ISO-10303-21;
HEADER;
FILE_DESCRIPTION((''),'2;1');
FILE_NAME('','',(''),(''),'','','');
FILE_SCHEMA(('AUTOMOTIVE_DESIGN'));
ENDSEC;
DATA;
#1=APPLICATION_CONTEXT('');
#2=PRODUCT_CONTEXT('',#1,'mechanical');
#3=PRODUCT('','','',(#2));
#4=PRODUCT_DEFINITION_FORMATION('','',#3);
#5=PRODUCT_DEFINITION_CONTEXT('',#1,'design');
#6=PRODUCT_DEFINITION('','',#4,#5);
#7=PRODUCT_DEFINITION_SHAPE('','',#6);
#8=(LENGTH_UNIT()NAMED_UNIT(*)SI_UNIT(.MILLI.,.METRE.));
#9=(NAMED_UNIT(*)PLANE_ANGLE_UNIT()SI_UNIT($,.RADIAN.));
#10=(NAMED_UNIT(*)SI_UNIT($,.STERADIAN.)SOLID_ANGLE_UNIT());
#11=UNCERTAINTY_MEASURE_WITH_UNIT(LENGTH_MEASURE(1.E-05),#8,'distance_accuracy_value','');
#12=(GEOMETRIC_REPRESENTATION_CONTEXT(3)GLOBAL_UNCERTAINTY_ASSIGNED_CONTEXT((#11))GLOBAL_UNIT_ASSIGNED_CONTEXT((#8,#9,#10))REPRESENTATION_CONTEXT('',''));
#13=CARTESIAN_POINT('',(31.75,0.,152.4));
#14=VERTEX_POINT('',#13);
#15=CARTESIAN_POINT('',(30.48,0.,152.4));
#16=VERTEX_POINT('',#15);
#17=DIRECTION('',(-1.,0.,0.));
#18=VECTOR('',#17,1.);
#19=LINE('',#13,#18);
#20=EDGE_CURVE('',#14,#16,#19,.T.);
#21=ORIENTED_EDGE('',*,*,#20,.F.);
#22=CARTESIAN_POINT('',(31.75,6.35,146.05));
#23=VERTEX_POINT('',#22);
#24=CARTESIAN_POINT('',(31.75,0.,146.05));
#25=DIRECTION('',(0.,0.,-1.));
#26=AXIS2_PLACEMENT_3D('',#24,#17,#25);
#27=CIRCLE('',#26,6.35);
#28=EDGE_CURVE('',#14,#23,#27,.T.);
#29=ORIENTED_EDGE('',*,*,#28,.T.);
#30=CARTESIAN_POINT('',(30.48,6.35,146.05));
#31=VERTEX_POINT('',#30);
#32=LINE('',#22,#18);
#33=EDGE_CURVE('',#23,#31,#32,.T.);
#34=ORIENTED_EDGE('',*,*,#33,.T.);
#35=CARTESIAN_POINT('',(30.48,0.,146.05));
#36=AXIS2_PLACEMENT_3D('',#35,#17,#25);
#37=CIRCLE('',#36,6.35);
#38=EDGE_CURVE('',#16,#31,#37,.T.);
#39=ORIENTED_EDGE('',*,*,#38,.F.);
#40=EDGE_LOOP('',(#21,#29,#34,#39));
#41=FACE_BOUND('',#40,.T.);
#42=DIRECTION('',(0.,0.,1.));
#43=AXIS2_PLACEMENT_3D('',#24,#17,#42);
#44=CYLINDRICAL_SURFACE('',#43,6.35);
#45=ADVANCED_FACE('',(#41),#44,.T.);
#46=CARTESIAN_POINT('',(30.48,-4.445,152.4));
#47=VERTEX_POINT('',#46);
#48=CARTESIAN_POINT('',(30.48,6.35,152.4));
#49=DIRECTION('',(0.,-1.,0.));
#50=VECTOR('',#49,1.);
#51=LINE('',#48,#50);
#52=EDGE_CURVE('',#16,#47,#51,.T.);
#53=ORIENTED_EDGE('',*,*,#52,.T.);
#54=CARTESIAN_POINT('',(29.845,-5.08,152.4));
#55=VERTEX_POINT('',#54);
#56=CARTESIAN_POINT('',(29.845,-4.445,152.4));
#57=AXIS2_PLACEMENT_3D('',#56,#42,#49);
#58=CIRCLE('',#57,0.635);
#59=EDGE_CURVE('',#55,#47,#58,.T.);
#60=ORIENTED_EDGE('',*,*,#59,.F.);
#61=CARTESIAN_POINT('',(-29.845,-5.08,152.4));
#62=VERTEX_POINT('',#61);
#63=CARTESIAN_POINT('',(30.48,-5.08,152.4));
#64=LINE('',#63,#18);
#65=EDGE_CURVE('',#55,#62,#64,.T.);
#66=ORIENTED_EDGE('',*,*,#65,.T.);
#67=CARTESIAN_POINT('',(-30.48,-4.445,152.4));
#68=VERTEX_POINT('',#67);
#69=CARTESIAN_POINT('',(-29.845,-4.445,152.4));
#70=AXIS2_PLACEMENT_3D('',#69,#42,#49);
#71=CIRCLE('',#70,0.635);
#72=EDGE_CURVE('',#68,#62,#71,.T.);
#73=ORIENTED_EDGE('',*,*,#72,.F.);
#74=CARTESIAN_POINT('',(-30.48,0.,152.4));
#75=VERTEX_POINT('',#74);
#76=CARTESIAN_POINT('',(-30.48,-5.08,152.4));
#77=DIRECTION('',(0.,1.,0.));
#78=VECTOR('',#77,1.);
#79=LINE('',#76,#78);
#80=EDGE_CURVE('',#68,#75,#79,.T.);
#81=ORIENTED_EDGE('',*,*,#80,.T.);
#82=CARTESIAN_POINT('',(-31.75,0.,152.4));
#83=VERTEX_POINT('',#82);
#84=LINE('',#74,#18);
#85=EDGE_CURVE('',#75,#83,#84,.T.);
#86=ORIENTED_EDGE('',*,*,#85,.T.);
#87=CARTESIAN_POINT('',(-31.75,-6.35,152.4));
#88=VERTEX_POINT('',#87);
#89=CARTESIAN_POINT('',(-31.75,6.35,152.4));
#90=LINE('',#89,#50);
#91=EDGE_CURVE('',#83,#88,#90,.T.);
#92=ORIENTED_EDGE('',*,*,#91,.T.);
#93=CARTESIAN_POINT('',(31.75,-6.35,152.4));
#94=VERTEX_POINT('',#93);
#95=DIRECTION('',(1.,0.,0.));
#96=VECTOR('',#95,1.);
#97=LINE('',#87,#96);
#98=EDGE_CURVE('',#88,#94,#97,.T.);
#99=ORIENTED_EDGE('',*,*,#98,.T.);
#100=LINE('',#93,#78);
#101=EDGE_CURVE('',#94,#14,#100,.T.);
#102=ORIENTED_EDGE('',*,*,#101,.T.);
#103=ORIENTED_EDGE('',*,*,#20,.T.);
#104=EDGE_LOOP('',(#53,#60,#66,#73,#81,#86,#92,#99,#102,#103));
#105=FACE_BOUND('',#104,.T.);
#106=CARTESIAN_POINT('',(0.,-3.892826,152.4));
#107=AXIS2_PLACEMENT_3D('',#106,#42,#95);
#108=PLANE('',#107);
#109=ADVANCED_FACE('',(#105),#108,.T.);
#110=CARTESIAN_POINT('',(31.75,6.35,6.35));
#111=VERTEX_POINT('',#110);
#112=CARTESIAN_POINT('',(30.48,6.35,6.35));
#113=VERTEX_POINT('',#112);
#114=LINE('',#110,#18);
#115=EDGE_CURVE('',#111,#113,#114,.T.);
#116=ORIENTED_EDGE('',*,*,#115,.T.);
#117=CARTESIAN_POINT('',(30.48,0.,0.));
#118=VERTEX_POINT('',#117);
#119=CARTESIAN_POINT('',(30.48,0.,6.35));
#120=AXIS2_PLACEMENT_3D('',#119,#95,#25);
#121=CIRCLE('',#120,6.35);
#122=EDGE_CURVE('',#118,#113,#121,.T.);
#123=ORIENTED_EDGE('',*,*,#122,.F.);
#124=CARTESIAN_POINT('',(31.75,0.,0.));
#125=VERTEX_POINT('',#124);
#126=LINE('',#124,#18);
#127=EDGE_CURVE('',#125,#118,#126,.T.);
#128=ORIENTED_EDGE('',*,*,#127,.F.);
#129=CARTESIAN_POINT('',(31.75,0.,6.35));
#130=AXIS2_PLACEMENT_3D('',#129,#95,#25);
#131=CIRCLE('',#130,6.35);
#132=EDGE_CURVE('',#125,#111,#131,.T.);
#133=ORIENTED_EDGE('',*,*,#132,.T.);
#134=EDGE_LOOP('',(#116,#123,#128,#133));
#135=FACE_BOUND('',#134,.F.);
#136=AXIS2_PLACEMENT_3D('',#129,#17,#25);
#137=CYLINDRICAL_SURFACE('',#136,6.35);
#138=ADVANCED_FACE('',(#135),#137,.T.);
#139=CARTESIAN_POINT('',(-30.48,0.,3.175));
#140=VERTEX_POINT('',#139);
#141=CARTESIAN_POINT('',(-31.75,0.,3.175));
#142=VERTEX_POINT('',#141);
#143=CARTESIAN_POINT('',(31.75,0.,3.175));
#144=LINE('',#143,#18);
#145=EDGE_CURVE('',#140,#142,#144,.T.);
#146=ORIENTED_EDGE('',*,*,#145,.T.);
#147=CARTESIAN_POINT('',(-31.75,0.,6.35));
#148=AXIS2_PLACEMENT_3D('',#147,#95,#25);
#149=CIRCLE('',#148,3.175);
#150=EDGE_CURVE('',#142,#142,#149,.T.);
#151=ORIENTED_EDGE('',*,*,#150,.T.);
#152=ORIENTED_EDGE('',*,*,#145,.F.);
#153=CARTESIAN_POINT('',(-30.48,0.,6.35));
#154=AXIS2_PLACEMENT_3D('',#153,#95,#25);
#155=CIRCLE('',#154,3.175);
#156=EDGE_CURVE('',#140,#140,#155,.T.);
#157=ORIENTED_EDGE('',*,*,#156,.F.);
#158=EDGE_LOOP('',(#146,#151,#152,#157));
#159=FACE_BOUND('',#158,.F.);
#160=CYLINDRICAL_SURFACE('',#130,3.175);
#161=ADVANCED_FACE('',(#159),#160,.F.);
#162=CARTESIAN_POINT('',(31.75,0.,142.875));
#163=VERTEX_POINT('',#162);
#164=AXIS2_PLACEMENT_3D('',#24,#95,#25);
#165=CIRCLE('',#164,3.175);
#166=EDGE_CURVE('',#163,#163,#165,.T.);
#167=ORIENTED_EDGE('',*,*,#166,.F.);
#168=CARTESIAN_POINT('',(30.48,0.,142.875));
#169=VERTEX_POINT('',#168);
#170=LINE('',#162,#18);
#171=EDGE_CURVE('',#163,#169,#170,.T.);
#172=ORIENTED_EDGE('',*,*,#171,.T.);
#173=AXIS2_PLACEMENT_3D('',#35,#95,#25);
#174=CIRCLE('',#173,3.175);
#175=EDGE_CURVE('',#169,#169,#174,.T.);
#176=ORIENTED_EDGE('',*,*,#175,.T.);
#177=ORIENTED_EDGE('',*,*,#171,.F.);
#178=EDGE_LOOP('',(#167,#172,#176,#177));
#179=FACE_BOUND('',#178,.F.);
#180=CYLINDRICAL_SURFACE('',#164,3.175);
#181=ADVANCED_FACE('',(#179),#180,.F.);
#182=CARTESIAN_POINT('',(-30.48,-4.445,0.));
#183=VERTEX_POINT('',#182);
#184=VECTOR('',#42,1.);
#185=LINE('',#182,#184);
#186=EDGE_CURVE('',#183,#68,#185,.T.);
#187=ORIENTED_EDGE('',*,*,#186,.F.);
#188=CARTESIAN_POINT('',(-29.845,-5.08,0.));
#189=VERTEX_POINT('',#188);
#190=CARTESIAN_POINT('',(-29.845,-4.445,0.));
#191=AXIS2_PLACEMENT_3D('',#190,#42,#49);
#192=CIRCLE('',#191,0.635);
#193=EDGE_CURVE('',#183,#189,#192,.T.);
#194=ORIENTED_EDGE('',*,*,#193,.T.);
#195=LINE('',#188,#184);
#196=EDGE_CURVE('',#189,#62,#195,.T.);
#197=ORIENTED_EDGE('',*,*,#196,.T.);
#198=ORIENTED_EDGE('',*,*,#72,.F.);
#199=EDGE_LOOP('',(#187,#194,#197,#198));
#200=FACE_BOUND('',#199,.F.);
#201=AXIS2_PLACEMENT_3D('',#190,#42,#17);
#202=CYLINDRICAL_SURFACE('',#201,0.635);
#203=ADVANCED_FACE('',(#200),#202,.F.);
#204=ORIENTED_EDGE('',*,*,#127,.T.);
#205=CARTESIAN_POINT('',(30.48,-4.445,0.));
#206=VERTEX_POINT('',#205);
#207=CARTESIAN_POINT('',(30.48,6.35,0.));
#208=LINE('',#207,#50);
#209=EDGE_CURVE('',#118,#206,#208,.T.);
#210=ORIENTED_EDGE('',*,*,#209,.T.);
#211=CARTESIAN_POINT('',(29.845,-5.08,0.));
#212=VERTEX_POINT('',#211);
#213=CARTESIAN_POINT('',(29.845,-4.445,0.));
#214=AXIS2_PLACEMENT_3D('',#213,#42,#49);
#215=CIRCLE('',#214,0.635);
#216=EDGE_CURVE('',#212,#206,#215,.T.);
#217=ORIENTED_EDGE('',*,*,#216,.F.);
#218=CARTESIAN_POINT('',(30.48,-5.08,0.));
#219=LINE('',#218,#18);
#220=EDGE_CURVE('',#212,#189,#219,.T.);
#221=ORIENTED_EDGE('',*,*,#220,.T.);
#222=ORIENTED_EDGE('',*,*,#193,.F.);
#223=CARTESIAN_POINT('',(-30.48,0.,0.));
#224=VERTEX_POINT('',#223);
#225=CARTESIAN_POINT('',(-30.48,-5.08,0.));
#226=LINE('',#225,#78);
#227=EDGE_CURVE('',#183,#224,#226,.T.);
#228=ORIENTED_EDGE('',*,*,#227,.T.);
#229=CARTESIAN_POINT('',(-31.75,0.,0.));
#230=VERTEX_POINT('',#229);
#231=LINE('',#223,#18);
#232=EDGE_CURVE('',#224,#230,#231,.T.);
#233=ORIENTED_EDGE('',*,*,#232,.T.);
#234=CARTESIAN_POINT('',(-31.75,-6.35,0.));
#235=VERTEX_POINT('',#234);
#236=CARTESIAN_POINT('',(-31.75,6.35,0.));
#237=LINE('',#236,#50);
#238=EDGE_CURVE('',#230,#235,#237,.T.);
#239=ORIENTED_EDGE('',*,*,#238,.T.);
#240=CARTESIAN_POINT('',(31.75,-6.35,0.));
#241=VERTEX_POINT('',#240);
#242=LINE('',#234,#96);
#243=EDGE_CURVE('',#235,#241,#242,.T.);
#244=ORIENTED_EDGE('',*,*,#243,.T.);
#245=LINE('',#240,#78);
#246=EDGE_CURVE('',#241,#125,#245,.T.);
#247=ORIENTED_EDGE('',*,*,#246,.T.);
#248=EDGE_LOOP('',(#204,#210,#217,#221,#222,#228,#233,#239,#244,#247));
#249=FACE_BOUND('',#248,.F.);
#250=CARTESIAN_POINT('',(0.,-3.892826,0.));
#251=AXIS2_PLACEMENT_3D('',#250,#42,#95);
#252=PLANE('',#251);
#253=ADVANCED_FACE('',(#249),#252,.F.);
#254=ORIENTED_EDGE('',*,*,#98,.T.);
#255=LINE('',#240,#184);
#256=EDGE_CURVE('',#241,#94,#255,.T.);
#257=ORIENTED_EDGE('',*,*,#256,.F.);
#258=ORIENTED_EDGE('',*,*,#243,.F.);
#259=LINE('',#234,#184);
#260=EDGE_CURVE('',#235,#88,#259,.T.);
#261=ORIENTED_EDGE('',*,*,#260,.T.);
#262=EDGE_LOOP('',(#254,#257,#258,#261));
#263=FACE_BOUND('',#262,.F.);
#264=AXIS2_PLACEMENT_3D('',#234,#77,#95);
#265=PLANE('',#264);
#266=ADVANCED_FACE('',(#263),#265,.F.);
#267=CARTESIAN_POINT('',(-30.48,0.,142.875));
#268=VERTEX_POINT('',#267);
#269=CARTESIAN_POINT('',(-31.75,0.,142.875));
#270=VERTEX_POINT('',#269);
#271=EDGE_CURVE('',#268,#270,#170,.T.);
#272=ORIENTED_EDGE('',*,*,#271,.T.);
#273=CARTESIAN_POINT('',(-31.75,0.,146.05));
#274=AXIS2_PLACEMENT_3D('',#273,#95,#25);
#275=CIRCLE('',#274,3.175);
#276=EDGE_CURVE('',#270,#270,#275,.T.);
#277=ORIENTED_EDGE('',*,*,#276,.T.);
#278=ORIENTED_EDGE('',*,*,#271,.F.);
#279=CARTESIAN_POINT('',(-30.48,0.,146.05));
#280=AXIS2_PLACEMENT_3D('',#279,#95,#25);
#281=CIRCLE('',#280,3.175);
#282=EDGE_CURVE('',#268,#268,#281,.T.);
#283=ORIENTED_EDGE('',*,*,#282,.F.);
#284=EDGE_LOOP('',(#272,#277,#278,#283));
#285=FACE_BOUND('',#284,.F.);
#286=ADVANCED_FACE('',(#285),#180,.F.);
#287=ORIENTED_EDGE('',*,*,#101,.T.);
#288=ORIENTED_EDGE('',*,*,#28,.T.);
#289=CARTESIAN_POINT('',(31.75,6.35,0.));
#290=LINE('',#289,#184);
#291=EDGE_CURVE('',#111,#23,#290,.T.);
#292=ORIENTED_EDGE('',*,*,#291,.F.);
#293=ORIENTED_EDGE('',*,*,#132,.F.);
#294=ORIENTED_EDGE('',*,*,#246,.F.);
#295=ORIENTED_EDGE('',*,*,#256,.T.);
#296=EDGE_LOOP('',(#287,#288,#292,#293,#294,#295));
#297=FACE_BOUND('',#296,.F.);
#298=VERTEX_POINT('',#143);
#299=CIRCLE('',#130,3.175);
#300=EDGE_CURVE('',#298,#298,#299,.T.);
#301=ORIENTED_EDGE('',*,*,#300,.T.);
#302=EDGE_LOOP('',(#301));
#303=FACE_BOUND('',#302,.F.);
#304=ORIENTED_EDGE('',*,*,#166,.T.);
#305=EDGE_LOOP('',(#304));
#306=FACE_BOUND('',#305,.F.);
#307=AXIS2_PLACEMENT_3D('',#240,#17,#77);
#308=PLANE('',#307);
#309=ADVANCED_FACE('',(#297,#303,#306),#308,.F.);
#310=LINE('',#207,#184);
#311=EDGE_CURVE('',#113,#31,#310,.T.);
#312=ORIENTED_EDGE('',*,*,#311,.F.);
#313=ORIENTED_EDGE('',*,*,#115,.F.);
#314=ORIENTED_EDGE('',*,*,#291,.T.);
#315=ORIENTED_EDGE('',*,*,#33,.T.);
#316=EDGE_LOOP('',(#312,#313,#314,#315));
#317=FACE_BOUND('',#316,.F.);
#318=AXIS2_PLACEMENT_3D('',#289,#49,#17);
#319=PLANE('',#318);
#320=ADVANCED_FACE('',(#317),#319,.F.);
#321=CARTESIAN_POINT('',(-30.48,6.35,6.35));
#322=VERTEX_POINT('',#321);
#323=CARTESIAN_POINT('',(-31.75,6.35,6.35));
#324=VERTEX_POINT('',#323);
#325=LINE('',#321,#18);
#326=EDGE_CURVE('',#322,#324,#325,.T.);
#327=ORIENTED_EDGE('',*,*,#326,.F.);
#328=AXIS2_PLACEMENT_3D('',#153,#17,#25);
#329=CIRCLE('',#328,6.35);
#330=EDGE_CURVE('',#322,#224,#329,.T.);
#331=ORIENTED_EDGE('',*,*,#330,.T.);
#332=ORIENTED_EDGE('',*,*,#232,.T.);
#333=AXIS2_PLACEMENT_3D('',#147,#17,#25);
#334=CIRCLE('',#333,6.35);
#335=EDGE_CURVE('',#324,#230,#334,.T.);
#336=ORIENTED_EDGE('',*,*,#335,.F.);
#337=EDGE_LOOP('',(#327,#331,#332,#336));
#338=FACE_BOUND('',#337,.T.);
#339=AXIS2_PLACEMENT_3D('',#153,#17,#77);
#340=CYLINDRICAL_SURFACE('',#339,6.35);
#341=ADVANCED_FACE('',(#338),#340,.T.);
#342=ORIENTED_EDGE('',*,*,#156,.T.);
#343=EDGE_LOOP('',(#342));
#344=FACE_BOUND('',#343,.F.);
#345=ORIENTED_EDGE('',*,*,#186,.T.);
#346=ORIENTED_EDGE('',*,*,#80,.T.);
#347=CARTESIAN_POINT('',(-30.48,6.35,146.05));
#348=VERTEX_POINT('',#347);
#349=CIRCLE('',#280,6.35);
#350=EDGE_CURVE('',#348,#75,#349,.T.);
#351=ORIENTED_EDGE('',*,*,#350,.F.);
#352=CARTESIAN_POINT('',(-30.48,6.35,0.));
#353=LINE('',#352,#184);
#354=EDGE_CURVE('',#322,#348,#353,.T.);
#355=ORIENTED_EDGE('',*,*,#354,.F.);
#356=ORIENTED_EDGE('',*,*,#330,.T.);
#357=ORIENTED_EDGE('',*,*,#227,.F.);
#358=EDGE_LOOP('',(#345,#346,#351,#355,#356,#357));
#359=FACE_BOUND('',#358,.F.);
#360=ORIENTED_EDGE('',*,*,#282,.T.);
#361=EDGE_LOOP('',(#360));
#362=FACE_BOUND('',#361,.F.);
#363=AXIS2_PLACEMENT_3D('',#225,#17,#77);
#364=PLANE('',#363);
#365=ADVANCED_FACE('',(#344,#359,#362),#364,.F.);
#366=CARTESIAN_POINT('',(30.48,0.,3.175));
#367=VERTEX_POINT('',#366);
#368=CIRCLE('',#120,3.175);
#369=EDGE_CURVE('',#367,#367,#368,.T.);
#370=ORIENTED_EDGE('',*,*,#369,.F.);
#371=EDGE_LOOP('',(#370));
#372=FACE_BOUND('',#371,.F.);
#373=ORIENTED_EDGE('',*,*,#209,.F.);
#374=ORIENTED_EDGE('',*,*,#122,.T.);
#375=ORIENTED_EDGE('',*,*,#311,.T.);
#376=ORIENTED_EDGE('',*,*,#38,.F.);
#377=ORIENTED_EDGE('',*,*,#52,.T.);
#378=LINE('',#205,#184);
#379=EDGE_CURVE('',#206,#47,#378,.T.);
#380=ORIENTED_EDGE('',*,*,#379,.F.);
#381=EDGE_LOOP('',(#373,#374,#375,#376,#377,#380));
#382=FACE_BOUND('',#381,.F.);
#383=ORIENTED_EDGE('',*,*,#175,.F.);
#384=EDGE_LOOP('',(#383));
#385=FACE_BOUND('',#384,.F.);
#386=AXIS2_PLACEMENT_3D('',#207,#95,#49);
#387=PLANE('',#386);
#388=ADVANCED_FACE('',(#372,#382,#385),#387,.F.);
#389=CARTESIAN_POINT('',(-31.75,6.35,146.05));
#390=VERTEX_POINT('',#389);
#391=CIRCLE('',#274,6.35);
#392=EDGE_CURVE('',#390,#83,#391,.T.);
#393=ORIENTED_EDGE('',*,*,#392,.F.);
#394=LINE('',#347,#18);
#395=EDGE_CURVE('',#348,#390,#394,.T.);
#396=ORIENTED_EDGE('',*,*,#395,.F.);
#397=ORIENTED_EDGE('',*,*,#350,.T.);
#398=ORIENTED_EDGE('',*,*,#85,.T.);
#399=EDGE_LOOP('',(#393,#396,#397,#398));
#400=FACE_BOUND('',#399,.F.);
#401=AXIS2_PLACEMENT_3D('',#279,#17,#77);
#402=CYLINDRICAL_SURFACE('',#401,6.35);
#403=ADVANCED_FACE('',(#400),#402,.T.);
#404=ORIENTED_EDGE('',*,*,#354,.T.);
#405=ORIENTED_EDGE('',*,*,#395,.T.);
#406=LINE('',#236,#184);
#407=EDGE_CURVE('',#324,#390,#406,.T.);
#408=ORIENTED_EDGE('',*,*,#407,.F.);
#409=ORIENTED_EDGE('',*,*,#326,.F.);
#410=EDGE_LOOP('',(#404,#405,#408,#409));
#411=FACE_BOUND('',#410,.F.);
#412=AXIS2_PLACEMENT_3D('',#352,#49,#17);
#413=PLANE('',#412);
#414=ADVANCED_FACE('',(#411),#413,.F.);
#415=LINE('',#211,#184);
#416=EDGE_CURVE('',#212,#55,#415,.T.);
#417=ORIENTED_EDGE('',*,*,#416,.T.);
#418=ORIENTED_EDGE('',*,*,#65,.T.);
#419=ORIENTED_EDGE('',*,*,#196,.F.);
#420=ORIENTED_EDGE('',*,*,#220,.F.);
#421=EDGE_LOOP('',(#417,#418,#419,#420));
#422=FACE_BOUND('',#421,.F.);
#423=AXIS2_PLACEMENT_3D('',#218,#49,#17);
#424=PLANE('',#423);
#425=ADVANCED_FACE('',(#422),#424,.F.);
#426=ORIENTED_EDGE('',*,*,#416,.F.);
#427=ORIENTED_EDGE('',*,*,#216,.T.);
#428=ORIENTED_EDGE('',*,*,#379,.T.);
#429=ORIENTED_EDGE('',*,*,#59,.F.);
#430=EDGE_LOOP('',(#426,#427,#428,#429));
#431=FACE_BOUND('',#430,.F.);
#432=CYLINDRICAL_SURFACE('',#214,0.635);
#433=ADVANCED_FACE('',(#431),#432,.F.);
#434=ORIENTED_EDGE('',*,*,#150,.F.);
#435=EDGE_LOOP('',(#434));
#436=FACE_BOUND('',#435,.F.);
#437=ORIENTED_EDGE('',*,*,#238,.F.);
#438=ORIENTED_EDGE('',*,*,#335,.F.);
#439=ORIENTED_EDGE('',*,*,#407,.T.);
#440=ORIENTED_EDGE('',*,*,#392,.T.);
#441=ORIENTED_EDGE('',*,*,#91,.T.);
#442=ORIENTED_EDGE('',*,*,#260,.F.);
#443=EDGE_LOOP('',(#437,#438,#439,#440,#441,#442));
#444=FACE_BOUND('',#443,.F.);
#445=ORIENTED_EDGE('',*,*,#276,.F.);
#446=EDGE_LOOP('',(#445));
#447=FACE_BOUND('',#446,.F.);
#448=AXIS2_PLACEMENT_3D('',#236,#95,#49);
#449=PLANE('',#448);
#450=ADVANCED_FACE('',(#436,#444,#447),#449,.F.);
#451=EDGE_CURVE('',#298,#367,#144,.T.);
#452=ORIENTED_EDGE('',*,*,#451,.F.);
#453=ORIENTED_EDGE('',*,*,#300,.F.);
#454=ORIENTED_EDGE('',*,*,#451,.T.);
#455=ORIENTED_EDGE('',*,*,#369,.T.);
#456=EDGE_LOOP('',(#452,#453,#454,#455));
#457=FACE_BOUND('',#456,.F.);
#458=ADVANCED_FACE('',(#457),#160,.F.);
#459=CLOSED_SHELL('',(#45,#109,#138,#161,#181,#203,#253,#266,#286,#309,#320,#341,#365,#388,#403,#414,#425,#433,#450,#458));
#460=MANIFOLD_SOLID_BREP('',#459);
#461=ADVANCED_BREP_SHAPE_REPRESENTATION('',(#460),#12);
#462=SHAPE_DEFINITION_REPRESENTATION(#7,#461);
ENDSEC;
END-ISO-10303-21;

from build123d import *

# Parameters (mm, degrees)
BOSS_EXTRUDE1_DEPTH = 152.4
SKETCH2_R           = 3.175
CUT_EXTRUDE1_DEPTH  = 64.5
FILLET1_R           = 6.35
FILLET2_R           = 0.635


with BuildPart() as part:
    # Sketch1 → Boss-Extrude1 (new body)
    with BuildSketch(Plane.XY):
        Polygon((-31.75, 6.35), (-31.75, -6.35), (31.75, -6.35), (31.75, 6.35), (30.48, 6.35), (30.48, -5.08), (-30.48, -5.08), (-30.48, 6.35), align=None)
    extrude(amount=BOSS_EXTRUDE1_DEPTH)

    # Sketch2 → Cut-Extrude1 (cut, through all)
    with BuildSketch(Plane(origin=(31.75, 0, 0), x_dir=(0, 0, -1), z_dir=(1, 0, 0))):
        with Locations((-146.05, 0)):
            Circle(SKETCH2_R)
        with Locations((-6.35, 0)):
            Circle(SKETCH2_R)
    extrude(amount=-CUT_EXTRUDE1_DEPTH, mode=Mode.SUBTRACT)

    # Fillet1
    fillet1_edges = [part.edges().sort_by_distance(p)[0] for p in [
        (-31.115, 6.35, 0),
        (31.115, 6.35, 0),
        (-31.115, 6.35, 152.4),
        (31.115, 6.35, 152.4),
    ]]
    fillet(fillet1_edges, radius=FILLET1_R)

    # Fillet2
    fillet2_edges = [part.edges().sort_by_distance(p)[0] for p in [
        (-30.48, -5.08, 76.2),
        (30.48, -5.08, 76.2),
    ]]
    fillet(fillet2_edges, radius=FILLET2_R)


solid = part.part
